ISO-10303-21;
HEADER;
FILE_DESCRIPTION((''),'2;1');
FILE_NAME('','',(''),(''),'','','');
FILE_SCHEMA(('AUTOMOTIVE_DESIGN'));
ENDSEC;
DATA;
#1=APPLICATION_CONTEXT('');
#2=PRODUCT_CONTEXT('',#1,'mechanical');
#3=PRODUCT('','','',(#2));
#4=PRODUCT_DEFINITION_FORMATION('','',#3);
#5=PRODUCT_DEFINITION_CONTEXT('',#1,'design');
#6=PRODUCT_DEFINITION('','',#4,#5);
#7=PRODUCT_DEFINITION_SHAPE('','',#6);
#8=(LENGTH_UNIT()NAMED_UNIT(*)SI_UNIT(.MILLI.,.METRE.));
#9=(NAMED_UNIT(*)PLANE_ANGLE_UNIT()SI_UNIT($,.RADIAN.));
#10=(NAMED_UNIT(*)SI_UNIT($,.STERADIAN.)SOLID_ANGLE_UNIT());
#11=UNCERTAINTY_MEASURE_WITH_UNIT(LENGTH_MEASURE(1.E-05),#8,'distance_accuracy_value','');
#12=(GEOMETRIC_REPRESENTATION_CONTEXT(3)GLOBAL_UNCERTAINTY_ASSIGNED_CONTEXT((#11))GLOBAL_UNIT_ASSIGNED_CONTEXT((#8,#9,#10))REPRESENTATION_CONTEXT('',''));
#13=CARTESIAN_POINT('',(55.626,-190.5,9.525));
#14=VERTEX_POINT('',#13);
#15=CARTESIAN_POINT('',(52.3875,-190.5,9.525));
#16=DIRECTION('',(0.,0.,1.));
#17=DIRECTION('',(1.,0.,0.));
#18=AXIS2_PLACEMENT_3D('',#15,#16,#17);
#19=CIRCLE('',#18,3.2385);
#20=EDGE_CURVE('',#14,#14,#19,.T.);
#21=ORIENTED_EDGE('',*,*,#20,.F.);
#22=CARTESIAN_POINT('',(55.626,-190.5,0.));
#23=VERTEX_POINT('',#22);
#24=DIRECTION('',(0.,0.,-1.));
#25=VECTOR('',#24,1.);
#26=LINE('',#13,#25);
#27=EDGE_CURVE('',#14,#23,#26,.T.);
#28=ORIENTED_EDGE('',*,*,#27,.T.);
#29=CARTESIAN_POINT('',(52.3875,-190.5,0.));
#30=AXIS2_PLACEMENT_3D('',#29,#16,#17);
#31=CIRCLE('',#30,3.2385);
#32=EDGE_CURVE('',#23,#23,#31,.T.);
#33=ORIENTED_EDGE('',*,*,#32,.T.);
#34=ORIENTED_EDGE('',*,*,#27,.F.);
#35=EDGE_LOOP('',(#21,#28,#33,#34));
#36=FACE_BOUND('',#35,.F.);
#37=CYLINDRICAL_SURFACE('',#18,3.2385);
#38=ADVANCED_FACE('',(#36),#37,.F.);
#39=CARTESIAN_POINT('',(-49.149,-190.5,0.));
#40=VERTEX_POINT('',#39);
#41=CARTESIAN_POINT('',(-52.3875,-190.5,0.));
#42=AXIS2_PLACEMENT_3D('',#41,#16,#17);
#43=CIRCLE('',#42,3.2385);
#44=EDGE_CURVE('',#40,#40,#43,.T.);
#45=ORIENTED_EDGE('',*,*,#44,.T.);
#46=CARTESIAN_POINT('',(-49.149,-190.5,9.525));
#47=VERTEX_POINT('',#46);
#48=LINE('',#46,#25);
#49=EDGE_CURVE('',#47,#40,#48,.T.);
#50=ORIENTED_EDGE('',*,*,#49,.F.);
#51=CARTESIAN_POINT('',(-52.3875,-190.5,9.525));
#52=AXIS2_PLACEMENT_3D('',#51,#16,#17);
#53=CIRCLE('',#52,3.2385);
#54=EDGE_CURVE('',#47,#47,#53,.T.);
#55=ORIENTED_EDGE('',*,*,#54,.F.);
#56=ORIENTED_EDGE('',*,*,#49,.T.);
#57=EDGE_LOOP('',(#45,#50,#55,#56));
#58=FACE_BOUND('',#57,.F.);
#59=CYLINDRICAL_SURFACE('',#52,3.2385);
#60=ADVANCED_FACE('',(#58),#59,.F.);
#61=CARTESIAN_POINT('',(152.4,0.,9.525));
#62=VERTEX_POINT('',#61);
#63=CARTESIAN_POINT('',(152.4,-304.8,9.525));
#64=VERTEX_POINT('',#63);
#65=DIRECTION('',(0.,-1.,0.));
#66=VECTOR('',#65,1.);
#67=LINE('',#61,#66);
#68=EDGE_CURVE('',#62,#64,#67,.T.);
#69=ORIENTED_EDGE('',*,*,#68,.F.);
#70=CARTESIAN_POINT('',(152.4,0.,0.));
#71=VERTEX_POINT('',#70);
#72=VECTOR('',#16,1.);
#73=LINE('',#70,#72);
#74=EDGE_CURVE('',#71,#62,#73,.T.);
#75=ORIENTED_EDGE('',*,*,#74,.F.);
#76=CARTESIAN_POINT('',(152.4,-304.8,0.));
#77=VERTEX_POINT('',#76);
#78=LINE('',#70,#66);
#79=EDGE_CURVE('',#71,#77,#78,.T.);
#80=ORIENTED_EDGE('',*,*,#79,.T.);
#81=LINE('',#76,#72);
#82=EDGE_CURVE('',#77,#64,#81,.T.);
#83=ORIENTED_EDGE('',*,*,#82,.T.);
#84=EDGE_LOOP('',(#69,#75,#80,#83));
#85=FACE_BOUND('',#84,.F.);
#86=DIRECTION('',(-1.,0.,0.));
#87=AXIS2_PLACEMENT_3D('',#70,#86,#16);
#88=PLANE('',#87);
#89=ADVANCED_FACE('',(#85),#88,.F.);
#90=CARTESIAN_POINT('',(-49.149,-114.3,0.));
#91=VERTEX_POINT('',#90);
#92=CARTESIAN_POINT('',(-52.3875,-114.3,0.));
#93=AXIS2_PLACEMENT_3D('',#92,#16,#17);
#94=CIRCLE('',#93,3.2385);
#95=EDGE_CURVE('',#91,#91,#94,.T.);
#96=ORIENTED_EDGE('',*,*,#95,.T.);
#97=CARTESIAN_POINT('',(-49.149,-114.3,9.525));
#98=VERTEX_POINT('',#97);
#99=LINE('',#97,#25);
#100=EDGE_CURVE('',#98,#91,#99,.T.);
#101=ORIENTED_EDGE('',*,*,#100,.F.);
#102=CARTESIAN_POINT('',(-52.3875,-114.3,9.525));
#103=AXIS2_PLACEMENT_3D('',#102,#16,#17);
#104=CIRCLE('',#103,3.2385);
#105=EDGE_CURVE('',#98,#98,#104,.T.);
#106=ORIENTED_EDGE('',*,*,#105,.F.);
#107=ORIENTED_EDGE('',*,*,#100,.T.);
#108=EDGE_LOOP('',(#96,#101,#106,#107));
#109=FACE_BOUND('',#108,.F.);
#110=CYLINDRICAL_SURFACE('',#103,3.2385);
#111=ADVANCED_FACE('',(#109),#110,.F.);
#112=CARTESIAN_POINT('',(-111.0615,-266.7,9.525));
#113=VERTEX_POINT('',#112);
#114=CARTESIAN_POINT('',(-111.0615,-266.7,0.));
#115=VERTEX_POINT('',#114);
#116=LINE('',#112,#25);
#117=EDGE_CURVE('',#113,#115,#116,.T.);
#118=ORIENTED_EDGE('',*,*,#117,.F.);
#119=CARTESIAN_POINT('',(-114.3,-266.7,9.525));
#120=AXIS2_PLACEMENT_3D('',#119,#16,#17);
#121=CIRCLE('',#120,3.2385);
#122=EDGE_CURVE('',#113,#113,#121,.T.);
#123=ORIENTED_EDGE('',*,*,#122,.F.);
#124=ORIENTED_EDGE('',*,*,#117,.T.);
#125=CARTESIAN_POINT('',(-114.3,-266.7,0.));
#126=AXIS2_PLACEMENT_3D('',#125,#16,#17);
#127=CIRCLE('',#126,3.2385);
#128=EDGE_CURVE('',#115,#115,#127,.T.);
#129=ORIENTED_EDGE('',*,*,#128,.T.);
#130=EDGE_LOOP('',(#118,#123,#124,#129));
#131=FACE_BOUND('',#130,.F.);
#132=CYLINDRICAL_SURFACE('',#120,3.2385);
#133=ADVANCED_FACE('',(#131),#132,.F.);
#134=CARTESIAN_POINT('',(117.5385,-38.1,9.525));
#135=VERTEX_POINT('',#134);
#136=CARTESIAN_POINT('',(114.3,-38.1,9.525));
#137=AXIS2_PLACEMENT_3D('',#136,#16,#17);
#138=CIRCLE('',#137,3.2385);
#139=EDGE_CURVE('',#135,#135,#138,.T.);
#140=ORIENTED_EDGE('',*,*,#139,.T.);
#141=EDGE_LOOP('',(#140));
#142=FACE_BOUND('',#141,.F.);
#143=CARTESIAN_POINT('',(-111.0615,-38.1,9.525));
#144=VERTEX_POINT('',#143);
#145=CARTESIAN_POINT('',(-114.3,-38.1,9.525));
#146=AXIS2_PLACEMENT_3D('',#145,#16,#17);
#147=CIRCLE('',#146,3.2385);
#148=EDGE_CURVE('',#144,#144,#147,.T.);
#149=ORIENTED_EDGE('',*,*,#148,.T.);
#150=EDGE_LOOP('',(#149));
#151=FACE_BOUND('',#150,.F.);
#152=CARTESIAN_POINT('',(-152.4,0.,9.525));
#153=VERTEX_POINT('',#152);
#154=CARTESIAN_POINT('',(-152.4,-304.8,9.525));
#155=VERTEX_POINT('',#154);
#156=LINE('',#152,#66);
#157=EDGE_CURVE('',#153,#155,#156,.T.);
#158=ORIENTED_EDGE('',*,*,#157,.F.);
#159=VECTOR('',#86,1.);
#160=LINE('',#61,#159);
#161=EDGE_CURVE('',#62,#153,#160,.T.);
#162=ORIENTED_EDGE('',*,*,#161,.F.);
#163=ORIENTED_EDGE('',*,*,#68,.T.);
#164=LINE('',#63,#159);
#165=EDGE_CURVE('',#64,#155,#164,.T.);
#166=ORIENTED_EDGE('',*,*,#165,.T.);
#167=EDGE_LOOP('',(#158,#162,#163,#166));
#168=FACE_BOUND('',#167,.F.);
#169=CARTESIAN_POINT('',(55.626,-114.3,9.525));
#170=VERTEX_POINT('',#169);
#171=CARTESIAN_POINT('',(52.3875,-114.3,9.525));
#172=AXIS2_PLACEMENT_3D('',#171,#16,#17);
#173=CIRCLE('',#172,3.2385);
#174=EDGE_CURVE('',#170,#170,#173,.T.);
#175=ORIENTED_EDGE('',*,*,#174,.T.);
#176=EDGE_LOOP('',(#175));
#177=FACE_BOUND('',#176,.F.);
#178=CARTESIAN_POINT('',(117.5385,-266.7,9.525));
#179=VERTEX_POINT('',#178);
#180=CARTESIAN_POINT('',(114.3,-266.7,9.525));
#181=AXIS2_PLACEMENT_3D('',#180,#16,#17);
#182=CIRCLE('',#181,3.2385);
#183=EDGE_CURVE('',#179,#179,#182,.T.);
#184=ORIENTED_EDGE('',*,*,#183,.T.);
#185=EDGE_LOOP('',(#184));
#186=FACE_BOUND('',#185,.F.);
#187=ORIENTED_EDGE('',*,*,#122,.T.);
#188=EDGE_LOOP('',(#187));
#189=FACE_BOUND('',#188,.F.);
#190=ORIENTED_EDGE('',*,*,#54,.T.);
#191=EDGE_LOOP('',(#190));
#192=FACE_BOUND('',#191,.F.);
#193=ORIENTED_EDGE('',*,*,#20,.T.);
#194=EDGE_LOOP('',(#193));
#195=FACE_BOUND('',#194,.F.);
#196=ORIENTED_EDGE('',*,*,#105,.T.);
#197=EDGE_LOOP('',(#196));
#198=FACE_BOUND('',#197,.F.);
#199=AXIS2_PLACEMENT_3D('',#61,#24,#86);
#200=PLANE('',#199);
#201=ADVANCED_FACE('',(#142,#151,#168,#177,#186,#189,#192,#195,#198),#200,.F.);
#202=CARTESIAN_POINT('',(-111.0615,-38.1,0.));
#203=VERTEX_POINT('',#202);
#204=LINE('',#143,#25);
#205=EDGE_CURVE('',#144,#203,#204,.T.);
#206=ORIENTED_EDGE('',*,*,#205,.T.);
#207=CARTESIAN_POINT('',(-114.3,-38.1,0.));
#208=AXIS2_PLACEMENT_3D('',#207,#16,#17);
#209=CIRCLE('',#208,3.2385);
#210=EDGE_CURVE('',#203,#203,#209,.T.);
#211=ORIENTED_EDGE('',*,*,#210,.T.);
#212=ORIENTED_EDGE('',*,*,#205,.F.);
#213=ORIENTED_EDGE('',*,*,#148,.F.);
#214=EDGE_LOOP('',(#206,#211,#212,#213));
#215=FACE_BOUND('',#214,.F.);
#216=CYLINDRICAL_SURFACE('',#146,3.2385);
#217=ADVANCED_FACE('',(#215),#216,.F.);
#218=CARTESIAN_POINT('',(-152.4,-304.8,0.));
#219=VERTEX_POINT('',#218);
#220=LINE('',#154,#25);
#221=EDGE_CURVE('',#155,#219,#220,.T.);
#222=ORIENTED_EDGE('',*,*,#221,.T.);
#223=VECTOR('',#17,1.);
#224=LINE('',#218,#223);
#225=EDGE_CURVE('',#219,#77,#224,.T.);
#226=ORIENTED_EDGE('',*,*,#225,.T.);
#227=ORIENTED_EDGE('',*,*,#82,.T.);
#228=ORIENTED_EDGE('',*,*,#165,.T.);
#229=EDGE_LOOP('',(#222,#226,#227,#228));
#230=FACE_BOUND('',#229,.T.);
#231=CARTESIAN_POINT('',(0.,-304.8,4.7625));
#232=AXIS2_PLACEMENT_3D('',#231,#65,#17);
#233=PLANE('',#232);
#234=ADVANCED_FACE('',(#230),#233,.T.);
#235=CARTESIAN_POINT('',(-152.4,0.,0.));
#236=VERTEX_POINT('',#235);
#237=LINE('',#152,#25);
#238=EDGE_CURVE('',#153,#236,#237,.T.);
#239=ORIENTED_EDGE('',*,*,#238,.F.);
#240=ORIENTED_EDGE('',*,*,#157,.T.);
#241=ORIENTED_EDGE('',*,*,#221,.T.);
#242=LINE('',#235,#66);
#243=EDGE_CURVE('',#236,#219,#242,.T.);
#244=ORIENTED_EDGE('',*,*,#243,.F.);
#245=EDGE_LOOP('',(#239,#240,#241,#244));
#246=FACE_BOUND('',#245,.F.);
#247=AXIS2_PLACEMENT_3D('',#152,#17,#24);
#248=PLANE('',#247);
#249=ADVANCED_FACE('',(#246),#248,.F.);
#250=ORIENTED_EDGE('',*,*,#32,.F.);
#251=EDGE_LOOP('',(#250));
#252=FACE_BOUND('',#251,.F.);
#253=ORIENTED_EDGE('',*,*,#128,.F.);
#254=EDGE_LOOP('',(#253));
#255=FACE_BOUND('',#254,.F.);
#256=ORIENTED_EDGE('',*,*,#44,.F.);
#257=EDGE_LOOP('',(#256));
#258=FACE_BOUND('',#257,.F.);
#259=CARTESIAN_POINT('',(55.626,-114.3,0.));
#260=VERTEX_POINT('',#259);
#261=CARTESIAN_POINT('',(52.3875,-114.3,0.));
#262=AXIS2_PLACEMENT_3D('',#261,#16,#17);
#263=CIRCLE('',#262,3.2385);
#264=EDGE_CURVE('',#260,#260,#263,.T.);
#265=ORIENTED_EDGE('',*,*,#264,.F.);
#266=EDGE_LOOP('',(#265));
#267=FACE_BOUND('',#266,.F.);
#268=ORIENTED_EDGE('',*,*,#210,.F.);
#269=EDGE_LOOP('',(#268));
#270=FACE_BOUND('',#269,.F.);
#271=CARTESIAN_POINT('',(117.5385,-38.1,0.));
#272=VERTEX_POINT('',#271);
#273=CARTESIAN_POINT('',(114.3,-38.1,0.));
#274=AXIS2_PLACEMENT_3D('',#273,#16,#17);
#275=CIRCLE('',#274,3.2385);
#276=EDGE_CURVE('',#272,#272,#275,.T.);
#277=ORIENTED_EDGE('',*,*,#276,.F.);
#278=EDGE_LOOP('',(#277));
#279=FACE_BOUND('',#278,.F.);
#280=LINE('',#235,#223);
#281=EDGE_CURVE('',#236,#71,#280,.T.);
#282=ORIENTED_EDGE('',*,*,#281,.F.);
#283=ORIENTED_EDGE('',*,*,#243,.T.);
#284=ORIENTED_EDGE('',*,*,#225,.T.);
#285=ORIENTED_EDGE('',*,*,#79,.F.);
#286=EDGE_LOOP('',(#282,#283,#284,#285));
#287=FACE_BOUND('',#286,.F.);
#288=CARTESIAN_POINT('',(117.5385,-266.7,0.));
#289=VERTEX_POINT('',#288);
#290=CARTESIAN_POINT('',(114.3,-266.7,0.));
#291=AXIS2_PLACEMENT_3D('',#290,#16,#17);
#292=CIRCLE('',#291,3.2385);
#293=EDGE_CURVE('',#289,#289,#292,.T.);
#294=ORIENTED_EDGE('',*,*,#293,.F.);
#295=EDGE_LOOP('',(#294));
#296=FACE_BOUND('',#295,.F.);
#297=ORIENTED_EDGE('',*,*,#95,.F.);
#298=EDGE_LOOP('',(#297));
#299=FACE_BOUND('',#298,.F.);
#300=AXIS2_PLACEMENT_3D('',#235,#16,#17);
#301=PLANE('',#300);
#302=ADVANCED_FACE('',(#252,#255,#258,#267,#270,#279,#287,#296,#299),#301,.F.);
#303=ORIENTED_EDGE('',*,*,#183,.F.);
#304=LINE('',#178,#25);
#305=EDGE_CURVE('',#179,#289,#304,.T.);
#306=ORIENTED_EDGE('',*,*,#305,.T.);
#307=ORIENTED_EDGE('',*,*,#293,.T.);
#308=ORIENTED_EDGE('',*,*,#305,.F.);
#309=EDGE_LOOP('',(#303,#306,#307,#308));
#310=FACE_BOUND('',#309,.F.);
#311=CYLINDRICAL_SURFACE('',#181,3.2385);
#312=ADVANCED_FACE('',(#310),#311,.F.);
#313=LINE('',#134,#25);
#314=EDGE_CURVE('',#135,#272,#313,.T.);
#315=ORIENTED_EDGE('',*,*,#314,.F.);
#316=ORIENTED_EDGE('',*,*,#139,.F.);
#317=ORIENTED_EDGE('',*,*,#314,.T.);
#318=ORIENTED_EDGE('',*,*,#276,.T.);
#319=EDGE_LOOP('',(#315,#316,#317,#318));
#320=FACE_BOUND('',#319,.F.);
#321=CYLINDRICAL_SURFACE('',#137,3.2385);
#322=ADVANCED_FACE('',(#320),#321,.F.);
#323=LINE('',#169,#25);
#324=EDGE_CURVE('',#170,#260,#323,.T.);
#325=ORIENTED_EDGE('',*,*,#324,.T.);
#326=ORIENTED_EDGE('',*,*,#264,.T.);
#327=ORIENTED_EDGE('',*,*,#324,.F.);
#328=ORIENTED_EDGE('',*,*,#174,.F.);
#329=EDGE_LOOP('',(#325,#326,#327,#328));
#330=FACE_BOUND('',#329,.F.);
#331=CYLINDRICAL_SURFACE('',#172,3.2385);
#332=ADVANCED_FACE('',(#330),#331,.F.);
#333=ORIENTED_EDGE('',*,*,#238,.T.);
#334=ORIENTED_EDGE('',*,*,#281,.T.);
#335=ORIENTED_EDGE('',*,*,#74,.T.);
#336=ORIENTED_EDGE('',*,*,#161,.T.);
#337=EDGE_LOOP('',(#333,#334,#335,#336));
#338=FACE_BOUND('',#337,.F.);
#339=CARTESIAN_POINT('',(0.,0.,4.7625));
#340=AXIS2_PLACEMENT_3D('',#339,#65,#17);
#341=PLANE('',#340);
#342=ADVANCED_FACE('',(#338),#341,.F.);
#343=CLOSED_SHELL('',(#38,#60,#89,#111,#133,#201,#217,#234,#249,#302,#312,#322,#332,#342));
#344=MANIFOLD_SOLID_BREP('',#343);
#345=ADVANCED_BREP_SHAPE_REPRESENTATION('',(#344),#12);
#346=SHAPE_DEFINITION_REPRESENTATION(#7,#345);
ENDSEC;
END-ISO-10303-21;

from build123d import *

# Parameters (mm, degrees)
F1_DEPTH  = 304.8
F2_R      = 3.2385
F3_DEPTH  = 9.525
F4_R      = 3.2385
F5_DEPTH  = 9.525
F7_R      = 6.35
F8_DEPTH  = 304.801
F9_R      = 4.78155
F10_DEPTH = 304.801


with BuildPart() as f1:
    # F0 (on Front) → F1 (new body)
    with BuildSketch(Plane.XZ):
        Polygon((-152.4, 0), (-142.875, 0), (142.875, 0), (152.4, 0), (152.4, 9.525), (-152.4, 9.525), align=None)
    extrude(amount=F1_DEPTH)

    # F2 (on face) → F3 (cut, through all)
    with BuildSketch(Plane.XY.offset(9.525)):
        with Locations((-52.3875, -114.3)):
            Circle(F2_R)
        with Locations((52.3875, -114.3)):
            Circle(F2_R)
        with Locations((-52.3875, -190.5)):
            Circle(F2_R)
        with Locations((52.3875, -190.5)):
            Circle(F2_R)
    extrude(amount=-F3_DEPTH, mode=Mode.SUBTRACT)

    # F4 (on face) → F5 (cut, through all)
    with BuildSketch(Plane.XY.offset(9.525)):
        with Locations((-114.3, -38.1)):
            Circle(F4_R)
        with Locations((114.3, -38.1)):
            Circle(F4_R)
        with Locations((-114.3, -266.7)):
            Circle(F4_R)
        with Locations((114.3, -266.7)):
            Circle(F4_R)
    extrude(amount=-F5_DEPTH, mode=Mode.SUBTRACT)

    # F7 (on face) → F8 (cut, through all)
    with BuildSketch(Plane(origin=(-152.4, 0, 0), x_dir=(0, -1, 0), z_dir=(-1, 0, 0))):
        with Locations((38.1, 37.703125)):
            Circle(F7_R)
        with Locations((266.7147, 37.703125)):
            Circle(F7_R)
    extrude(amount=-F8_DEPTH, mode=Mode.SUBTRACT)

    # F9 (on face) → F10 (cut, through all)
    with BuildSketch(Plane(origin=(-152.4, 0, 0), x_dir=(0, -1, 0), z_dir=(-1, 0, 0))):
        with Locations((100.0125, 247.65)):
            Circle(F9_R)
        with Locations((204.7875, 247.65)):
            Circle(F9_R)
        with Locations((100.0125, 228.6)):
            Circle(F9_R)
        with Locations((204.7875, 228.6)):
            Circle(F9_R)
        with Locations((100.0125, 209.55)):
            Circle(F9_R)
        with Locations((204.7875, 209.55)):
            Circle(F9_R)
    extrude(amount=-F10_DEPTH, mode=Mode.SUBTRACT)


solid = f1.part
